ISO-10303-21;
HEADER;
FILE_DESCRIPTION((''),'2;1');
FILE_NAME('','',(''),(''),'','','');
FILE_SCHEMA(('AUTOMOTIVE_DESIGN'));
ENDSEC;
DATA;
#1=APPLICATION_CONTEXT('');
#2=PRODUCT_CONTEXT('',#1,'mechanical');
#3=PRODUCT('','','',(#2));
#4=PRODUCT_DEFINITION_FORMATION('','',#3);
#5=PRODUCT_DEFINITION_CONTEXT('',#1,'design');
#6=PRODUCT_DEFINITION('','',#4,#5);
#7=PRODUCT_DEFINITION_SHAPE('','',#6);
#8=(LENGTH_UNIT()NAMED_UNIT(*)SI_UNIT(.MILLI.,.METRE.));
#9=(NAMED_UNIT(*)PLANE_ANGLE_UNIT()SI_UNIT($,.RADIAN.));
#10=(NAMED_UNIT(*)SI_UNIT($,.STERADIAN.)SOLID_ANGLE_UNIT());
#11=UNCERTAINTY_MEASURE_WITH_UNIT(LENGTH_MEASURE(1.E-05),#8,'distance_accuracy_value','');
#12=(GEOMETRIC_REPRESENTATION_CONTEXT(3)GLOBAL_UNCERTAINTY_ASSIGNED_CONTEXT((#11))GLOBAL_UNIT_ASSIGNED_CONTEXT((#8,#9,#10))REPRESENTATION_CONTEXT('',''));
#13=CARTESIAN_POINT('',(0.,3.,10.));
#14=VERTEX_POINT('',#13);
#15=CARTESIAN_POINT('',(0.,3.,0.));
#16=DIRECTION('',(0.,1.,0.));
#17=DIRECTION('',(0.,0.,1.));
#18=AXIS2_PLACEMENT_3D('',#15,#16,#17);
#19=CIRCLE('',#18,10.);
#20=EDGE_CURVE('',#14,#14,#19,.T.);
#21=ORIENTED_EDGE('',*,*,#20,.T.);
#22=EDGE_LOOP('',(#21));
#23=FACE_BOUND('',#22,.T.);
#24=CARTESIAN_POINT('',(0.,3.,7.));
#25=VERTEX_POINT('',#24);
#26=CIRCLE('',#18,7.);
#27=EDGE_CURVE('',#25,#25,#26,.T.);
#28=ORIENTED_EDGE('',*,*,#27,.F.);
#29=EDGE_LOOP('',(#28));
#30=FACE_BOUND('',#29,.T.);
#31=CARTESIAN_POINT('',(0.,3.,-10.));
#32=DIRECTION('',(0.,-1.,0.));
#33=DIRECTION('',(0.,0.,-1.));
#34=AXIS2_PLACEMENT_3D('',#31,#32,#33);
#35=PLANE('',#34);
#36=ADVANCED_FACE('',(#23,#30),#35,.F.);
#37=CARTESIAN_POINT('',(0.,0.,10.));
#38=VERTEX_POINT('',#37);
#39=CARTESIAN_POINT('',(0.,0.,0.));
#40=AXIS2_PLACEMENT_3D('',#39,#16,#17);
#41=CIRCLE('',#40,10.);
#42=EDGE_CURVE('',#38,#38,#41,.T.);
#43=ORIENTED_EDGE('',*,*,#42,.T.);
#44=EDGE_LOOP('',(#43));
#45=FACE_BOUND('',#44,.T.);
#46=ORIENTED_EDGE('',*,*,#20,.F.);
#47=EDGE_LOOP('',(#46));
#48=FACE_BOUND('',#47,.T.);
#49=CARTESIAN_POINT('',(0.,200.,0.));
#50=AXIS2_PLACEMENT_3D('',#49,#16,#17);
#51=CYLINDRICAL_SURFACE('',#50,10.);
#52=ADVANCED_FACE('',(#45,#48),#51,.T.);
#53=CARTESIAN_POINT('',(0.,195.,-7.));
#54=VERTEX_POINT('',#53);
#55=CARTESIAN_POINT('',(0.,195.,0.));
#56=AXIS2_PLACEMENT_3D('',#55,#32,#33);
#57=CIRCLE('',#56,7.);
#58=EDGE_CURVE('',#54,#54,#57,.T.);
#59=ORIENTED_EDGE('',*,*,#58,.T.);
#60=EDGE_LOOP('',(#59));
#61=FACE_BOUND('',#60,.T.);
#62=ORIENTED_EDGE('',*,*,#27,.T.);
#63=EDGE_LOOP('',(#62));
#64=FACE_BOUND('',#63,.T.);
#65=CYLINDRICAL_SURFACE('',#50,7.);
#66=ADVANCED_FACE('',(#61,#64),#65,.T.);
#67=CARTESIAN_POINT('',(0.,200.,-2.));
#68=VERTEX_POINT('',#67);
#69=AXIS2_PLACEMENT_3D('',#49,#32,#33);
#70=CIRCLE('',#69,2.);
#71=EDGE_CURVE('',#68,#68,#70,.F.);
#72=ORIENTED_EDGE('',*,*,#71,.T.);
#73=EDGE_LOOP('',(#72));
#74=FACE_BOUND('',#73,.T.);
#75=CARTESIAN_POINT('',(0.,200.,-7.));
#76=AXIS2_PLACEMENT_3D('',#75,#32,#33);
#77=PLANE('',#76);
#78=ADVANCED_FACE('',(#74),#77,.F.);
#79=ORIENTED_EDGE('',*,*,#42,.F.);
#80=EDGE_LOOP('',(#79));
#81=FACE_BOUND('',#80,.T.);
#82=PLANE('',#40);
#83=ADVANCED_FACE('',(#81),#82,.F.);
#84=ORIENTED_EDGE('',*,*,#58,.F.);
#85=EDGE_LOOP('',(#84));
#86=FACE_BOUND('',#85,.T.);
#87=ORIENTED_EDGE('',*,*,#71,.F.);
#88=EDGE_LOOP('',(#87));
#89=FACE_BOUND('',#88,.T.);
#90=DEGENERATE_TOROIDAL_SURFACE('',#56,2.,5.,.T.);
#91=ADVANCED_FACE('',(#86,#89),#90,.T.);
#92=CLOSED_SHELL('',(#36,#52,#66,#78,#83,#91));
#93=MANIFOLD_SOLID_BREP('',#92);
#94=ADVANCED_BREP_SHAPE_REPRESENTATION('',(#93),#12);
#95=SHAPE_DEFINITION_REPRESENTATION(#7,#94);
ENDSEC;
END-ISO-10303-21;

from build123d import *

# Parameters (mm, degrees)
FILLET1_R = 5


with BuildPart() as part:
    # Sketch1 → Revolve1 (revolve)
    with BuildSketch(Plane(origin=(0, 0, 0), x_dir=(0, 0, -1), z_dir=(1, 0, 0)), mode=Mode.PRIVATE) as revolve1_sk:
        Polygon((0, 200), (0, 0), (10, 0), (10, 3), (7, 3), (7, 200), align=None)
    revolve(revolve1_sk.sketch.rotate(Axis((0, 200, 0), (0, -1, 0)), 180), axis=Axis((0, 200, 0), (0, -1, 0)))

    # Fillet1
    fillet1_edges = [part.edges().sort_by_distance(p)[0] for p in [
        (0, 200, -7),
    ]]
    fillet(fillet1_edges, radius=FILLET1_R)


solid = part.part
